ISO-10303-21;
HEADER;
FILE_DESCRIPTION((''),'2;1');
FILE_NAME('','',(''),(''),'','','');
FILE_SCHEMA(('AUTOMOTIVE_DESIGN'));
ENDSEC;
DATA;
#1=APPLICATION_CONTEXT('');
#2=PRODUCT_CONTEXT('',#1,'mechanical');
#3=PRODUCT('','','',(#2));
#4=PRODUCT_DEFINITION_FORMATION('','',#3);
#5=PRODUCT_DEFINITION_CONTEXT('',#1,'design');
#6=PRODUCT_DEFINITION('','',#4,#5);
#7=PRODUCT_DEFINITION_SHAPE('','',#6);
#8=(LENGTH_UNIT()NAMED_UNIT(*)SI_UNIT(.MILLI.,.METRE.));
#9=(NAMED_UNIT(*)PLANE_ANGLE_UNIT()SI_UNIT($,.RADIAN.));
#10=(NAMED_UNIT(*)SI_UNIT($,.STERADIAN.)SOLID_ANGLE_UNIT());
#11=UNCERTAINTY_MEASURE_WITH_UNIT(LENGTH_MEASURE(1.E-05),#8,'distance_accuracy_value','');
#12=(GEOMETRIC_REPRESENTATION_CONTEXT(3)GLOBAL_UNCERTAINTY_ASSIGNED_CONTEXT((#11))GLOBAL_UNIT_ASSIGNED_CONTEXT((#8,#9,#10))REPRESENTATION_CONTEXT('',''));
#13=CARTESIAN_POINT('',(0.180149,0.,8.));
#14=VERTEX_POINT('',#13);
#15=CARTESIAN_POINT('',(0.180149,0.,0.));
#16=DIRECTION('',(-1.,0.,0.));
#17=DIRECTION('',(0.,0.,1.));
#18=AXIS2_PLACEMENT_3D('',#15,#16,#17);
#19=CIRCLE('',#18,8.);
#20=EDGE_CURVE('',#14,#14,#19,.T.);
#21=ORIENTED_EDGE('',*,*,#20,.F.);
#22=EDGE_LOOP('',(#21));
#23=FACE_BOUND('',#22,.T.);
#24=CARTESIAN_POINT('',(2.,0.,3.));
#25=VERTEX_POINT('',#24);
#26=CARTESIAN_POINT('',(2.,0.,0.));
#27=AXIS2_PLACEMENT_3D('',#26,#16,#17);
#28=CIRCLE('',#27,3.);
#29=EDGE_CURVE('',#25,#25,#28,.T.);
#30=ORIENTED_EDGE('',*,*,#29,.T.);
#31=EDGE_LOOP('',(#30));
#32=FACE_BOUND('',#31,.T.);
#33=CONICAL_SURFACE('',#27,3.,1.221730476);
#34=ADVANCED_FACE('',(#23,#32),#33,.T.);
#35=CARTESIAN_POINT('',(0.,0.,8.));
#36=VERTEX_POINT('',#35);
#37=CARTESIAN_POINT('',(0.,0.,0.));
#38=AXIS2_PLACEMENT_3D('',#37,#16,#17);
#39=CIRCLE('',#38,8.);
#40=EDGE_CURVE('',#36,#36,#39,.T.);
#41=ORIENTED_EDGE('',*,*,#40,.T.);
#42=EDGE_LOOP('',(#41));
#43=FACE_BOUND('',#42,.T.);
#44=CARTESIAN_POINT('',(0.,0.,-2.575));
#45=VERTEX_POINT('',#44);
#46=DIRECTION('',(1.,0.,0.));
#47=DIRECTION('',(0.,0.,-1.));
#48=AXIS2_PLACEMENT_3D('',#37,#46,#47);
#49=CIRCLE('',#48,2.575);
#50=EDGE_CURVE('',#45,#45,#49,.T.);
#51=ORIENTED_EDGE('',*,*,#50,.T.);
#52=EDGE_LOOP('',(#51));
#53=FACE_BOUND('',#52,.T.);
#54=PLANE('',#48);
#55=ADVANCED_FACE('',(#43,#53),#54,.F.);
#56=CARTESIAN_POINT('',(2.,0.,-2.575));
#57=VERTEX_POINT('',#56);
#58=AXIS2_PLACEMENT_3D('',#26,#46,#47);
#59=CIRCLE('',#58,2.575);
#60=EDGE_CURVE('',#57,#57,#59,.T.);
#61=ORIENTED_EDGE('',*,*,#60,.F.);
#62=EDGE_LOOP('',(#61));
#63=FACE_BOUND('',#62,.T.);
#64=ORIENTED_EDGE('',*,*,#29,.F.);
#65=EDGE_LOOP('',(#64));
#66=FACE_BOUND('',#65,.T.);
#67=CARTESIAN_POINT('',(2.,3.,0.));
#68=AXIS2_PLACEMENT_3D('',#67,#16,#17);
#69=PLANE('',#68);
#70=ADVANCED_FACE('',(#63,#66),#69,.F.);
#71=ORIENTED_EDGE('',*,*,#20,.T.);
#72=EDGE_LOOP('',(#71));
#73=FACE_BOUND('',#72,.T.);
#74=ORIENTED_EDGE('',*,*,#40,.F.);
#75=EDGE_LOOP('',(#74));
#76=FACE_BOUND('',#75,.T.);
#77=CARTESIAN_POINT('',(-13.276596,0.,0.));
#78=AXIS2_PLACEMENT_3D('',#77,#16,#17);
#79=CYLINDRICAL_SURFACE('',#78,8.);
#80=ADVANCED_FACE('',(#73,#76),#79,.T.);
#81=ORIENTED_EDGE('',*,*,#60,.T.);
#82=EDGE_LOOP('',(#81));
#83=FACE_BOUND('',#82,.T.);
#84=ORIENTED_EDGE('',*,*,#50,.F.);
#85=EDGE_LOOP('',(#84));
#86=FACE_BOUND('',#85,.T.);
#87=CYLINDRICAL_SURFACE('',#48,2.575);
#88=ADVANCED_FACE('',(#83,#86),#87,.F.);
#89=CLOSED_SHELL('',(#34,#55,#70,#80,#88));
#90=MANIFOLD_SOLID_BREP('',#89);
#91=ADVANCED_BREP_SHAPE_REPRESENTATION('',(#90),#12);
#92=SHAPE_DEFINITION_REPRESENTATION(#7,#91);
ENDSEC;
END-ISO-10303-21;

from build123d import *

# Parameters (mm, degrees)
SKETCH5_R          = 2.575
CUT_EXTRUDE3_DEPTH = 3


with BuildPart() as part:
    # Sketch1 → Revolve1 (revolve)
    with BuildSketch(Plane.XY):
        Polygon((0, 0), (0, 8), (0.180148829, 8), (2, 3), (2, 0), align=None)
    revolve(axis=Axis((-13.276595745, 0, 0), (1, 0, 0)))

    # Sketch5 → Cut-Extrude3 (cut, through all)
    with BuildSketch(Plane(origin=(2, 0, 0), x_dir=(0, 0, -1), z_dir=(1, 0, 0))):
        Circle(SKETCH5_R)
    extrude(amount=-CUT_EXTRUDE3_DEPTH, mode=Mode.SUBTRACT)


solid = part.part
